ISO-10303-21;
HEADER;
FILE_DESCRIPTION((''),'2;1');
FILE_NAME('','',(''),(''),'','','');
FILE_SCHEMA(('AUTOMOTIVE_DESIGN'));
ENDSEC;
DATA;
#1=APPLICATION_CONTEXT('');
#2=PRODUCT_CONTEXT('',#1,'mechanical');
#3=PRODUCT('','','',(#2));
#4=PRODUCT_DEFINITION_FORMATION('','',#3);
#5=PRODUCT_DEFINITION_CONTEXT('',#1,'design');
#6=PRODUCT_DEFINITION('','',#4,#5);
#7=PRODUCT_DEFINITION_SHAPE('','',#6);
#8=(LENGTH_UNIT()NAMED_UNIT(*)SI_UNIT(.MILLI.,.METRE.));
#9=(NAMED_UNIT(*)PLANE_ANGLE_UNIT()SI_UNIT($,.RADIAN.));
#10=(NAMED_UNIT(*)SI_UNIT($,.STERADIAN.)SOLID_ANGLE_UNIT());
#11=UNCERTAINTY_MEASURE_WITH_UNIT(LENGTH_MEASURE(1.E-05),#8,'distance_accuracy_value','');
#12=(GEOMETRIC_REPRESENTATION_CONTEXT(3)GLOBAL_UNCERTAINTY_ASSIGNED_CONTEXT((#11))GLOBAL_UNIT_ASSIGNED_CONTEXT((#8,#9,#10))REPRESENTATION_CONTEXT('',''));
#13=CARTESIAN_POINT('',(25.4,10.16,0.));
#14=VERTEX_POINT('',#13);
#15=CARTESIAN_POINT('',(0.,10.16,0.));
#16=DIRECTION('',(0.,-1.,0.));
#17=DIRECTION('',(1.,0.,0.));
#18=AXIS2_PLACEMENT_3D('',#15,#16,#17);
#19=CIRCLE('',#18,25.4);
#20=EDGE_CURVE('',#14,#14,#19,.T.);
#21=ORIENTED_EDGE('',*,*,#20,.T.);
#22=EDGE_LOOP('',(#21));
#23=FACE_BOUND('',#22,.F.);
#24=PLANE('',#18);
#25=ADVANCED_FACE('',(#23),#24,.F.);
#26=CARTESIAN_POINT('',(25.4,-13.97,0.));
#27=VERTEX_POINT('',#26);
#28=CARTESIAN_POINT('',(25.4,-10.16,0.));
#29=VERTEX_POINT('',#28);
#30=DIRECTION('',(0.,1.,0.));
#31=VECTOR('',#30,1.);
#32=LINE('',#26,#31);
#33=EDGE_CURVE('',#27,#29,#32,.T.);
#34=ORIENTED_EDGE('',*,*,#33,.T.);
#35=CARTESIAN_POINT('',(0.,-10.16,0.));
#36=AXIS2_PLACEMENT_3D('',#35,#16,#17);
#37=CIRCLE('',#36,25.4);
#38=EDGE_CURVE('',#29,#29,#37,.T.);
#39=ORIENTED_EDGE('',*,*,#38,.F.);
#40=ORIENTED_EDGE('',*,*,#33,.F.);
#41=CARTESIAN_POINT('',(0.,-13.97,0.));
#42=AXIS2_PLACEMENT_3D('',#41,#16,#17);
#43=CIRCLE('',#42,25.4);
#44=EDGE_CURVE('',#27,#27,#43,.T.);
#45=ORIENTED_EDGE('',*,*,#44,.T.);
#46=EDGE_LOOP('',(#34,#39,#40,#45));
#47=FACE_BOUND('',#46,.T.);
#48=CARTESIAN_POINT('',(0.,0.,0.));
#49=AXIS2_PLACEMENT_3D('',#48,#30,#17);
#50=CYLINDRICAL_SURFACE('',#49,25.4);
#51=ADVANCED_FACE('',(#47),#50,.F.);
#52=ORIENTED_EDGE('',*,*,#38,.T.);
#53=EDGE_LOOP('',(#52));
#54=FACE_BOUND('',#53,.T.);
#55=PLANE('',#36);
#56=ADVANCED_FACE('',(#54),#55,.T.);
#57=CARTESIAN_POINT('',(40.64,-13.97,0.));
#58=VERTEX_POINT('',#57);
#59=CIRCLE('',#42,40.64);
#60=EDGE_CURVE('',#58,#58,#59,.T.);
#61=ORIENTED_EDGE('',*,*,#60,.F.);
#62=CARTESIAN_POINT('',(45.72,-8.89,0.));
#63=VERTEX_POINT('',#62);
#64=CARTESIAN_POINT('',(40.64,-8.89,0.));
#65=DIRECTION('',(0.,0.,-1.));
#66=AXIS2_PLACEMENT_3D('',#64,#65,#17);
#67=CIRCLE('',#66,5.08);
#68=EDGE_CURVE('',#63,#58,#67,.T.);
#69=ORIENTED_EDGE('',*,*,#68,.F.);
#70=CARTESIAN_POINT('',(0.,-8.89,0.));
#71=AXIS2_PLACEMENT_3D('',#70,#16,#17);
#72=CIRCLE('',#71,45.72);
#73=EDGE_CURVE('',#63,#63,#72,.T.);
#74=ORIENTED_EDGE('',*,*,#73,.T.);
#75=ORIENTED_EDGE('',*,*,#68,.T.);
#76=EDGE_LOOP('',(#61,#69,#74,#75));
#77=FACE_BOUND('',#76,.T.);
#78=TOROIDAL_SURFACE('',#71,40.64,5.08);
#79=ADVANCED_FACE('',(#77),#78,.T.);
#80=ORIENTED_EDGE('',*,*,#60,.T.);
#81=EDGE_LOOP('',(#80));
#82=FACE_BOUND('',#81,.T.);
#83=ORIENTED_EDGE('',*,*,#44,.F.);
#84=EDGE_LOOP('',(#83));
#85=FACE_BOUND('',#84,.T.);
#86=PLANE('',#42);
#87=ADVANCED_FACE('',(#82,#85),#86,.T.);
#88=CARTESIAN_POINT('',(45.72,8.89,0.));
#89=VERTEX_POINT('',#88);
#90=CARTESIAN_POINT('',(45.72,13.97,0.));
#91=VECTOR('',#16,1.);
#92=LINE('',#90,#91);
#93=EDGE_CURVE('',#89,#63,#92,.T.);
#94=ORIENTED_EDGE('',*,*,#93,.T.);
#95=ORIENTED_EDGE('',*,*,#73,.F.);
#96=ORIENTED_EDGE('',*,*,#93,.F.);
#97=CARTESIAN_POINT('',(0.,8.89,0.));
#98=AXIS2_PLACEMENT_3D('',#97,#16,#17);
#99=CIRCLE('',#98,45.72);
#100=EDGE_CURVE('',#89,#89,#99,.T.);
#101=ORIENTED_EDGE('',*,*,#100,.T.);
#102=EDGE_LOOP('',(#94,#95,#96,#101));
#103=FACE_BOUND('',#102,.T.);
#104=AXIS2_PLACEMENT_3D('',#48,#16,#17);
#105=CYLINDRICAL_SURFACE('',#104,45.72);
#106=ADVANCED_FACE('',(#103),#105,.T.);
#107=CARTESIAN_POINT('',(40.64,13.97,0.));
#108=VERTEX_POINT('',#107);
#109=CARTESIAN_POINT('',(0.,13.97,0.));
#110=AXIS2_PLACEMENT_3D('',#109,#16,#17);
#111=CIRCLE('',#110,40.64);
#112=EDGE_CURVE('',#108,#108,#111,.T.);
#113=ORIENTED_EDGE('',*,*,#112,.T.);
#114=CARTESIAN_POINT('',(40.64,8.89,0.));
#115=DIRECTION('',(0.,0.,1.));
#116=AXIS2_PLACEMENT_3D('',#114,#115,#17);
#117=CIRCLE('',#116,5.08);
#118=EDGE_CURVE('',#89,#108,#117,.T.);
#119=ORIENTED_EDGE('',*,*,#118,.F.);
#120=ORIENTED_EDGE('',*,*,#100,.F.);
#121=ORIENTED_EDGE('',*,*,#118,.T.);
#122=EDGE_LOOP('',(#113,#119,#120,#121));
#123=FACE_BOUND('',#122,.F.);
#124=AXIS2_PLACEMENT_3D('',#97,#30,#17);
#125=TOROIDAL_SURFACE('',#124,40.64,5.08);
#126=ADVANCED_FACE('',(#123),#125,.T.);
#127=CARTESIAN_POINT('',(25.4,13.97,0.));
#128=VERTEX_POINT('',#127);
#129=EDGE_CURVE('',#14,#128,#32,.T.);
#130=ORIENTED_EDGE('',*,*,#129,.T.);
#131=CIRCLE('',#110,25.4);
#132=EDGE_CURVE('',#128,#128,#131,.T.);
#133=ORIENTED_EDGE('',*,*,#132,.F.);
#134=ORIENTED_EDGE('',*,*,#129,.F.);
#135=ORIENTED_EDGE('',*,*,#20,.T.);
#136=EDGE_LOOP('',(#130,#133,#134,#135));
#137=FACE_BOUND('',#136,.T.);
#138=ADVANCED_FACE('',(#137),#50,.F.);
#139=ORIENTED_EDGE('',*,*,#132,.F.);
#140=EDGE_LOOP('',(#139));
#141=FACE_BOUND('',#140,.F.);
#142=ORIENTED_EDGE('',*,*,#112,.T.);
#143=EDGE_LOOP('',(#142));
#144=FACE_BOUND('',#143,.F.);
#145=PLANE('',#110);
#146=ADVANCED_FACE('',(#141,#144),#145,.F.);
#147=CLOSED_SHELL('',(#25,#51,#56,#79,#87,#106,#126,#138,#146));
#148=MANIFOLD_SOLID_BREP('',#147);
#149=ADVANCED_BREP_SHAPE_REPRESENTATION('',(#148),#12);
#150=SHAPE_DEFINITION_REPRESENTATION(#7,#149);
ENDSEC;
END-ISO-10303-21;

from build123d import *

# Parameters (mm, degrees)
F0_R     = 25.4
F1_DEPTH = 10.16
F2_R     = 45.72
F2_R_2   = 25.4
F3_DEPTH = 13.97
F4_R     = 5.08


with BuildPart() as f1:
    # F0 (on Front) → F1 (new body, symmetric)
    with BuildSketch(Plane.XZ):
        Circle(F0_R)
    extrude(amount=F1_DEPTH, both=True)

    # F2 (on Front) → F3 (join, symmetric)
    with BuildSketch(Plane.XZ):
        Circle(F2_R)
        Circle(F2_R_2, mode=Mode.SUBTRACT)
    extrude(amount=F3_DEPTH, both=True)

    # F4
    f4_edges = [f1.edges().sort_by_distance(p)[0] for p in [
        (-45.72, 13.97, 0),
        (-45.72, -13.97, 0),
    ]]
    fillet(f4_edges, radius=F4_R)


solid = f1.part
